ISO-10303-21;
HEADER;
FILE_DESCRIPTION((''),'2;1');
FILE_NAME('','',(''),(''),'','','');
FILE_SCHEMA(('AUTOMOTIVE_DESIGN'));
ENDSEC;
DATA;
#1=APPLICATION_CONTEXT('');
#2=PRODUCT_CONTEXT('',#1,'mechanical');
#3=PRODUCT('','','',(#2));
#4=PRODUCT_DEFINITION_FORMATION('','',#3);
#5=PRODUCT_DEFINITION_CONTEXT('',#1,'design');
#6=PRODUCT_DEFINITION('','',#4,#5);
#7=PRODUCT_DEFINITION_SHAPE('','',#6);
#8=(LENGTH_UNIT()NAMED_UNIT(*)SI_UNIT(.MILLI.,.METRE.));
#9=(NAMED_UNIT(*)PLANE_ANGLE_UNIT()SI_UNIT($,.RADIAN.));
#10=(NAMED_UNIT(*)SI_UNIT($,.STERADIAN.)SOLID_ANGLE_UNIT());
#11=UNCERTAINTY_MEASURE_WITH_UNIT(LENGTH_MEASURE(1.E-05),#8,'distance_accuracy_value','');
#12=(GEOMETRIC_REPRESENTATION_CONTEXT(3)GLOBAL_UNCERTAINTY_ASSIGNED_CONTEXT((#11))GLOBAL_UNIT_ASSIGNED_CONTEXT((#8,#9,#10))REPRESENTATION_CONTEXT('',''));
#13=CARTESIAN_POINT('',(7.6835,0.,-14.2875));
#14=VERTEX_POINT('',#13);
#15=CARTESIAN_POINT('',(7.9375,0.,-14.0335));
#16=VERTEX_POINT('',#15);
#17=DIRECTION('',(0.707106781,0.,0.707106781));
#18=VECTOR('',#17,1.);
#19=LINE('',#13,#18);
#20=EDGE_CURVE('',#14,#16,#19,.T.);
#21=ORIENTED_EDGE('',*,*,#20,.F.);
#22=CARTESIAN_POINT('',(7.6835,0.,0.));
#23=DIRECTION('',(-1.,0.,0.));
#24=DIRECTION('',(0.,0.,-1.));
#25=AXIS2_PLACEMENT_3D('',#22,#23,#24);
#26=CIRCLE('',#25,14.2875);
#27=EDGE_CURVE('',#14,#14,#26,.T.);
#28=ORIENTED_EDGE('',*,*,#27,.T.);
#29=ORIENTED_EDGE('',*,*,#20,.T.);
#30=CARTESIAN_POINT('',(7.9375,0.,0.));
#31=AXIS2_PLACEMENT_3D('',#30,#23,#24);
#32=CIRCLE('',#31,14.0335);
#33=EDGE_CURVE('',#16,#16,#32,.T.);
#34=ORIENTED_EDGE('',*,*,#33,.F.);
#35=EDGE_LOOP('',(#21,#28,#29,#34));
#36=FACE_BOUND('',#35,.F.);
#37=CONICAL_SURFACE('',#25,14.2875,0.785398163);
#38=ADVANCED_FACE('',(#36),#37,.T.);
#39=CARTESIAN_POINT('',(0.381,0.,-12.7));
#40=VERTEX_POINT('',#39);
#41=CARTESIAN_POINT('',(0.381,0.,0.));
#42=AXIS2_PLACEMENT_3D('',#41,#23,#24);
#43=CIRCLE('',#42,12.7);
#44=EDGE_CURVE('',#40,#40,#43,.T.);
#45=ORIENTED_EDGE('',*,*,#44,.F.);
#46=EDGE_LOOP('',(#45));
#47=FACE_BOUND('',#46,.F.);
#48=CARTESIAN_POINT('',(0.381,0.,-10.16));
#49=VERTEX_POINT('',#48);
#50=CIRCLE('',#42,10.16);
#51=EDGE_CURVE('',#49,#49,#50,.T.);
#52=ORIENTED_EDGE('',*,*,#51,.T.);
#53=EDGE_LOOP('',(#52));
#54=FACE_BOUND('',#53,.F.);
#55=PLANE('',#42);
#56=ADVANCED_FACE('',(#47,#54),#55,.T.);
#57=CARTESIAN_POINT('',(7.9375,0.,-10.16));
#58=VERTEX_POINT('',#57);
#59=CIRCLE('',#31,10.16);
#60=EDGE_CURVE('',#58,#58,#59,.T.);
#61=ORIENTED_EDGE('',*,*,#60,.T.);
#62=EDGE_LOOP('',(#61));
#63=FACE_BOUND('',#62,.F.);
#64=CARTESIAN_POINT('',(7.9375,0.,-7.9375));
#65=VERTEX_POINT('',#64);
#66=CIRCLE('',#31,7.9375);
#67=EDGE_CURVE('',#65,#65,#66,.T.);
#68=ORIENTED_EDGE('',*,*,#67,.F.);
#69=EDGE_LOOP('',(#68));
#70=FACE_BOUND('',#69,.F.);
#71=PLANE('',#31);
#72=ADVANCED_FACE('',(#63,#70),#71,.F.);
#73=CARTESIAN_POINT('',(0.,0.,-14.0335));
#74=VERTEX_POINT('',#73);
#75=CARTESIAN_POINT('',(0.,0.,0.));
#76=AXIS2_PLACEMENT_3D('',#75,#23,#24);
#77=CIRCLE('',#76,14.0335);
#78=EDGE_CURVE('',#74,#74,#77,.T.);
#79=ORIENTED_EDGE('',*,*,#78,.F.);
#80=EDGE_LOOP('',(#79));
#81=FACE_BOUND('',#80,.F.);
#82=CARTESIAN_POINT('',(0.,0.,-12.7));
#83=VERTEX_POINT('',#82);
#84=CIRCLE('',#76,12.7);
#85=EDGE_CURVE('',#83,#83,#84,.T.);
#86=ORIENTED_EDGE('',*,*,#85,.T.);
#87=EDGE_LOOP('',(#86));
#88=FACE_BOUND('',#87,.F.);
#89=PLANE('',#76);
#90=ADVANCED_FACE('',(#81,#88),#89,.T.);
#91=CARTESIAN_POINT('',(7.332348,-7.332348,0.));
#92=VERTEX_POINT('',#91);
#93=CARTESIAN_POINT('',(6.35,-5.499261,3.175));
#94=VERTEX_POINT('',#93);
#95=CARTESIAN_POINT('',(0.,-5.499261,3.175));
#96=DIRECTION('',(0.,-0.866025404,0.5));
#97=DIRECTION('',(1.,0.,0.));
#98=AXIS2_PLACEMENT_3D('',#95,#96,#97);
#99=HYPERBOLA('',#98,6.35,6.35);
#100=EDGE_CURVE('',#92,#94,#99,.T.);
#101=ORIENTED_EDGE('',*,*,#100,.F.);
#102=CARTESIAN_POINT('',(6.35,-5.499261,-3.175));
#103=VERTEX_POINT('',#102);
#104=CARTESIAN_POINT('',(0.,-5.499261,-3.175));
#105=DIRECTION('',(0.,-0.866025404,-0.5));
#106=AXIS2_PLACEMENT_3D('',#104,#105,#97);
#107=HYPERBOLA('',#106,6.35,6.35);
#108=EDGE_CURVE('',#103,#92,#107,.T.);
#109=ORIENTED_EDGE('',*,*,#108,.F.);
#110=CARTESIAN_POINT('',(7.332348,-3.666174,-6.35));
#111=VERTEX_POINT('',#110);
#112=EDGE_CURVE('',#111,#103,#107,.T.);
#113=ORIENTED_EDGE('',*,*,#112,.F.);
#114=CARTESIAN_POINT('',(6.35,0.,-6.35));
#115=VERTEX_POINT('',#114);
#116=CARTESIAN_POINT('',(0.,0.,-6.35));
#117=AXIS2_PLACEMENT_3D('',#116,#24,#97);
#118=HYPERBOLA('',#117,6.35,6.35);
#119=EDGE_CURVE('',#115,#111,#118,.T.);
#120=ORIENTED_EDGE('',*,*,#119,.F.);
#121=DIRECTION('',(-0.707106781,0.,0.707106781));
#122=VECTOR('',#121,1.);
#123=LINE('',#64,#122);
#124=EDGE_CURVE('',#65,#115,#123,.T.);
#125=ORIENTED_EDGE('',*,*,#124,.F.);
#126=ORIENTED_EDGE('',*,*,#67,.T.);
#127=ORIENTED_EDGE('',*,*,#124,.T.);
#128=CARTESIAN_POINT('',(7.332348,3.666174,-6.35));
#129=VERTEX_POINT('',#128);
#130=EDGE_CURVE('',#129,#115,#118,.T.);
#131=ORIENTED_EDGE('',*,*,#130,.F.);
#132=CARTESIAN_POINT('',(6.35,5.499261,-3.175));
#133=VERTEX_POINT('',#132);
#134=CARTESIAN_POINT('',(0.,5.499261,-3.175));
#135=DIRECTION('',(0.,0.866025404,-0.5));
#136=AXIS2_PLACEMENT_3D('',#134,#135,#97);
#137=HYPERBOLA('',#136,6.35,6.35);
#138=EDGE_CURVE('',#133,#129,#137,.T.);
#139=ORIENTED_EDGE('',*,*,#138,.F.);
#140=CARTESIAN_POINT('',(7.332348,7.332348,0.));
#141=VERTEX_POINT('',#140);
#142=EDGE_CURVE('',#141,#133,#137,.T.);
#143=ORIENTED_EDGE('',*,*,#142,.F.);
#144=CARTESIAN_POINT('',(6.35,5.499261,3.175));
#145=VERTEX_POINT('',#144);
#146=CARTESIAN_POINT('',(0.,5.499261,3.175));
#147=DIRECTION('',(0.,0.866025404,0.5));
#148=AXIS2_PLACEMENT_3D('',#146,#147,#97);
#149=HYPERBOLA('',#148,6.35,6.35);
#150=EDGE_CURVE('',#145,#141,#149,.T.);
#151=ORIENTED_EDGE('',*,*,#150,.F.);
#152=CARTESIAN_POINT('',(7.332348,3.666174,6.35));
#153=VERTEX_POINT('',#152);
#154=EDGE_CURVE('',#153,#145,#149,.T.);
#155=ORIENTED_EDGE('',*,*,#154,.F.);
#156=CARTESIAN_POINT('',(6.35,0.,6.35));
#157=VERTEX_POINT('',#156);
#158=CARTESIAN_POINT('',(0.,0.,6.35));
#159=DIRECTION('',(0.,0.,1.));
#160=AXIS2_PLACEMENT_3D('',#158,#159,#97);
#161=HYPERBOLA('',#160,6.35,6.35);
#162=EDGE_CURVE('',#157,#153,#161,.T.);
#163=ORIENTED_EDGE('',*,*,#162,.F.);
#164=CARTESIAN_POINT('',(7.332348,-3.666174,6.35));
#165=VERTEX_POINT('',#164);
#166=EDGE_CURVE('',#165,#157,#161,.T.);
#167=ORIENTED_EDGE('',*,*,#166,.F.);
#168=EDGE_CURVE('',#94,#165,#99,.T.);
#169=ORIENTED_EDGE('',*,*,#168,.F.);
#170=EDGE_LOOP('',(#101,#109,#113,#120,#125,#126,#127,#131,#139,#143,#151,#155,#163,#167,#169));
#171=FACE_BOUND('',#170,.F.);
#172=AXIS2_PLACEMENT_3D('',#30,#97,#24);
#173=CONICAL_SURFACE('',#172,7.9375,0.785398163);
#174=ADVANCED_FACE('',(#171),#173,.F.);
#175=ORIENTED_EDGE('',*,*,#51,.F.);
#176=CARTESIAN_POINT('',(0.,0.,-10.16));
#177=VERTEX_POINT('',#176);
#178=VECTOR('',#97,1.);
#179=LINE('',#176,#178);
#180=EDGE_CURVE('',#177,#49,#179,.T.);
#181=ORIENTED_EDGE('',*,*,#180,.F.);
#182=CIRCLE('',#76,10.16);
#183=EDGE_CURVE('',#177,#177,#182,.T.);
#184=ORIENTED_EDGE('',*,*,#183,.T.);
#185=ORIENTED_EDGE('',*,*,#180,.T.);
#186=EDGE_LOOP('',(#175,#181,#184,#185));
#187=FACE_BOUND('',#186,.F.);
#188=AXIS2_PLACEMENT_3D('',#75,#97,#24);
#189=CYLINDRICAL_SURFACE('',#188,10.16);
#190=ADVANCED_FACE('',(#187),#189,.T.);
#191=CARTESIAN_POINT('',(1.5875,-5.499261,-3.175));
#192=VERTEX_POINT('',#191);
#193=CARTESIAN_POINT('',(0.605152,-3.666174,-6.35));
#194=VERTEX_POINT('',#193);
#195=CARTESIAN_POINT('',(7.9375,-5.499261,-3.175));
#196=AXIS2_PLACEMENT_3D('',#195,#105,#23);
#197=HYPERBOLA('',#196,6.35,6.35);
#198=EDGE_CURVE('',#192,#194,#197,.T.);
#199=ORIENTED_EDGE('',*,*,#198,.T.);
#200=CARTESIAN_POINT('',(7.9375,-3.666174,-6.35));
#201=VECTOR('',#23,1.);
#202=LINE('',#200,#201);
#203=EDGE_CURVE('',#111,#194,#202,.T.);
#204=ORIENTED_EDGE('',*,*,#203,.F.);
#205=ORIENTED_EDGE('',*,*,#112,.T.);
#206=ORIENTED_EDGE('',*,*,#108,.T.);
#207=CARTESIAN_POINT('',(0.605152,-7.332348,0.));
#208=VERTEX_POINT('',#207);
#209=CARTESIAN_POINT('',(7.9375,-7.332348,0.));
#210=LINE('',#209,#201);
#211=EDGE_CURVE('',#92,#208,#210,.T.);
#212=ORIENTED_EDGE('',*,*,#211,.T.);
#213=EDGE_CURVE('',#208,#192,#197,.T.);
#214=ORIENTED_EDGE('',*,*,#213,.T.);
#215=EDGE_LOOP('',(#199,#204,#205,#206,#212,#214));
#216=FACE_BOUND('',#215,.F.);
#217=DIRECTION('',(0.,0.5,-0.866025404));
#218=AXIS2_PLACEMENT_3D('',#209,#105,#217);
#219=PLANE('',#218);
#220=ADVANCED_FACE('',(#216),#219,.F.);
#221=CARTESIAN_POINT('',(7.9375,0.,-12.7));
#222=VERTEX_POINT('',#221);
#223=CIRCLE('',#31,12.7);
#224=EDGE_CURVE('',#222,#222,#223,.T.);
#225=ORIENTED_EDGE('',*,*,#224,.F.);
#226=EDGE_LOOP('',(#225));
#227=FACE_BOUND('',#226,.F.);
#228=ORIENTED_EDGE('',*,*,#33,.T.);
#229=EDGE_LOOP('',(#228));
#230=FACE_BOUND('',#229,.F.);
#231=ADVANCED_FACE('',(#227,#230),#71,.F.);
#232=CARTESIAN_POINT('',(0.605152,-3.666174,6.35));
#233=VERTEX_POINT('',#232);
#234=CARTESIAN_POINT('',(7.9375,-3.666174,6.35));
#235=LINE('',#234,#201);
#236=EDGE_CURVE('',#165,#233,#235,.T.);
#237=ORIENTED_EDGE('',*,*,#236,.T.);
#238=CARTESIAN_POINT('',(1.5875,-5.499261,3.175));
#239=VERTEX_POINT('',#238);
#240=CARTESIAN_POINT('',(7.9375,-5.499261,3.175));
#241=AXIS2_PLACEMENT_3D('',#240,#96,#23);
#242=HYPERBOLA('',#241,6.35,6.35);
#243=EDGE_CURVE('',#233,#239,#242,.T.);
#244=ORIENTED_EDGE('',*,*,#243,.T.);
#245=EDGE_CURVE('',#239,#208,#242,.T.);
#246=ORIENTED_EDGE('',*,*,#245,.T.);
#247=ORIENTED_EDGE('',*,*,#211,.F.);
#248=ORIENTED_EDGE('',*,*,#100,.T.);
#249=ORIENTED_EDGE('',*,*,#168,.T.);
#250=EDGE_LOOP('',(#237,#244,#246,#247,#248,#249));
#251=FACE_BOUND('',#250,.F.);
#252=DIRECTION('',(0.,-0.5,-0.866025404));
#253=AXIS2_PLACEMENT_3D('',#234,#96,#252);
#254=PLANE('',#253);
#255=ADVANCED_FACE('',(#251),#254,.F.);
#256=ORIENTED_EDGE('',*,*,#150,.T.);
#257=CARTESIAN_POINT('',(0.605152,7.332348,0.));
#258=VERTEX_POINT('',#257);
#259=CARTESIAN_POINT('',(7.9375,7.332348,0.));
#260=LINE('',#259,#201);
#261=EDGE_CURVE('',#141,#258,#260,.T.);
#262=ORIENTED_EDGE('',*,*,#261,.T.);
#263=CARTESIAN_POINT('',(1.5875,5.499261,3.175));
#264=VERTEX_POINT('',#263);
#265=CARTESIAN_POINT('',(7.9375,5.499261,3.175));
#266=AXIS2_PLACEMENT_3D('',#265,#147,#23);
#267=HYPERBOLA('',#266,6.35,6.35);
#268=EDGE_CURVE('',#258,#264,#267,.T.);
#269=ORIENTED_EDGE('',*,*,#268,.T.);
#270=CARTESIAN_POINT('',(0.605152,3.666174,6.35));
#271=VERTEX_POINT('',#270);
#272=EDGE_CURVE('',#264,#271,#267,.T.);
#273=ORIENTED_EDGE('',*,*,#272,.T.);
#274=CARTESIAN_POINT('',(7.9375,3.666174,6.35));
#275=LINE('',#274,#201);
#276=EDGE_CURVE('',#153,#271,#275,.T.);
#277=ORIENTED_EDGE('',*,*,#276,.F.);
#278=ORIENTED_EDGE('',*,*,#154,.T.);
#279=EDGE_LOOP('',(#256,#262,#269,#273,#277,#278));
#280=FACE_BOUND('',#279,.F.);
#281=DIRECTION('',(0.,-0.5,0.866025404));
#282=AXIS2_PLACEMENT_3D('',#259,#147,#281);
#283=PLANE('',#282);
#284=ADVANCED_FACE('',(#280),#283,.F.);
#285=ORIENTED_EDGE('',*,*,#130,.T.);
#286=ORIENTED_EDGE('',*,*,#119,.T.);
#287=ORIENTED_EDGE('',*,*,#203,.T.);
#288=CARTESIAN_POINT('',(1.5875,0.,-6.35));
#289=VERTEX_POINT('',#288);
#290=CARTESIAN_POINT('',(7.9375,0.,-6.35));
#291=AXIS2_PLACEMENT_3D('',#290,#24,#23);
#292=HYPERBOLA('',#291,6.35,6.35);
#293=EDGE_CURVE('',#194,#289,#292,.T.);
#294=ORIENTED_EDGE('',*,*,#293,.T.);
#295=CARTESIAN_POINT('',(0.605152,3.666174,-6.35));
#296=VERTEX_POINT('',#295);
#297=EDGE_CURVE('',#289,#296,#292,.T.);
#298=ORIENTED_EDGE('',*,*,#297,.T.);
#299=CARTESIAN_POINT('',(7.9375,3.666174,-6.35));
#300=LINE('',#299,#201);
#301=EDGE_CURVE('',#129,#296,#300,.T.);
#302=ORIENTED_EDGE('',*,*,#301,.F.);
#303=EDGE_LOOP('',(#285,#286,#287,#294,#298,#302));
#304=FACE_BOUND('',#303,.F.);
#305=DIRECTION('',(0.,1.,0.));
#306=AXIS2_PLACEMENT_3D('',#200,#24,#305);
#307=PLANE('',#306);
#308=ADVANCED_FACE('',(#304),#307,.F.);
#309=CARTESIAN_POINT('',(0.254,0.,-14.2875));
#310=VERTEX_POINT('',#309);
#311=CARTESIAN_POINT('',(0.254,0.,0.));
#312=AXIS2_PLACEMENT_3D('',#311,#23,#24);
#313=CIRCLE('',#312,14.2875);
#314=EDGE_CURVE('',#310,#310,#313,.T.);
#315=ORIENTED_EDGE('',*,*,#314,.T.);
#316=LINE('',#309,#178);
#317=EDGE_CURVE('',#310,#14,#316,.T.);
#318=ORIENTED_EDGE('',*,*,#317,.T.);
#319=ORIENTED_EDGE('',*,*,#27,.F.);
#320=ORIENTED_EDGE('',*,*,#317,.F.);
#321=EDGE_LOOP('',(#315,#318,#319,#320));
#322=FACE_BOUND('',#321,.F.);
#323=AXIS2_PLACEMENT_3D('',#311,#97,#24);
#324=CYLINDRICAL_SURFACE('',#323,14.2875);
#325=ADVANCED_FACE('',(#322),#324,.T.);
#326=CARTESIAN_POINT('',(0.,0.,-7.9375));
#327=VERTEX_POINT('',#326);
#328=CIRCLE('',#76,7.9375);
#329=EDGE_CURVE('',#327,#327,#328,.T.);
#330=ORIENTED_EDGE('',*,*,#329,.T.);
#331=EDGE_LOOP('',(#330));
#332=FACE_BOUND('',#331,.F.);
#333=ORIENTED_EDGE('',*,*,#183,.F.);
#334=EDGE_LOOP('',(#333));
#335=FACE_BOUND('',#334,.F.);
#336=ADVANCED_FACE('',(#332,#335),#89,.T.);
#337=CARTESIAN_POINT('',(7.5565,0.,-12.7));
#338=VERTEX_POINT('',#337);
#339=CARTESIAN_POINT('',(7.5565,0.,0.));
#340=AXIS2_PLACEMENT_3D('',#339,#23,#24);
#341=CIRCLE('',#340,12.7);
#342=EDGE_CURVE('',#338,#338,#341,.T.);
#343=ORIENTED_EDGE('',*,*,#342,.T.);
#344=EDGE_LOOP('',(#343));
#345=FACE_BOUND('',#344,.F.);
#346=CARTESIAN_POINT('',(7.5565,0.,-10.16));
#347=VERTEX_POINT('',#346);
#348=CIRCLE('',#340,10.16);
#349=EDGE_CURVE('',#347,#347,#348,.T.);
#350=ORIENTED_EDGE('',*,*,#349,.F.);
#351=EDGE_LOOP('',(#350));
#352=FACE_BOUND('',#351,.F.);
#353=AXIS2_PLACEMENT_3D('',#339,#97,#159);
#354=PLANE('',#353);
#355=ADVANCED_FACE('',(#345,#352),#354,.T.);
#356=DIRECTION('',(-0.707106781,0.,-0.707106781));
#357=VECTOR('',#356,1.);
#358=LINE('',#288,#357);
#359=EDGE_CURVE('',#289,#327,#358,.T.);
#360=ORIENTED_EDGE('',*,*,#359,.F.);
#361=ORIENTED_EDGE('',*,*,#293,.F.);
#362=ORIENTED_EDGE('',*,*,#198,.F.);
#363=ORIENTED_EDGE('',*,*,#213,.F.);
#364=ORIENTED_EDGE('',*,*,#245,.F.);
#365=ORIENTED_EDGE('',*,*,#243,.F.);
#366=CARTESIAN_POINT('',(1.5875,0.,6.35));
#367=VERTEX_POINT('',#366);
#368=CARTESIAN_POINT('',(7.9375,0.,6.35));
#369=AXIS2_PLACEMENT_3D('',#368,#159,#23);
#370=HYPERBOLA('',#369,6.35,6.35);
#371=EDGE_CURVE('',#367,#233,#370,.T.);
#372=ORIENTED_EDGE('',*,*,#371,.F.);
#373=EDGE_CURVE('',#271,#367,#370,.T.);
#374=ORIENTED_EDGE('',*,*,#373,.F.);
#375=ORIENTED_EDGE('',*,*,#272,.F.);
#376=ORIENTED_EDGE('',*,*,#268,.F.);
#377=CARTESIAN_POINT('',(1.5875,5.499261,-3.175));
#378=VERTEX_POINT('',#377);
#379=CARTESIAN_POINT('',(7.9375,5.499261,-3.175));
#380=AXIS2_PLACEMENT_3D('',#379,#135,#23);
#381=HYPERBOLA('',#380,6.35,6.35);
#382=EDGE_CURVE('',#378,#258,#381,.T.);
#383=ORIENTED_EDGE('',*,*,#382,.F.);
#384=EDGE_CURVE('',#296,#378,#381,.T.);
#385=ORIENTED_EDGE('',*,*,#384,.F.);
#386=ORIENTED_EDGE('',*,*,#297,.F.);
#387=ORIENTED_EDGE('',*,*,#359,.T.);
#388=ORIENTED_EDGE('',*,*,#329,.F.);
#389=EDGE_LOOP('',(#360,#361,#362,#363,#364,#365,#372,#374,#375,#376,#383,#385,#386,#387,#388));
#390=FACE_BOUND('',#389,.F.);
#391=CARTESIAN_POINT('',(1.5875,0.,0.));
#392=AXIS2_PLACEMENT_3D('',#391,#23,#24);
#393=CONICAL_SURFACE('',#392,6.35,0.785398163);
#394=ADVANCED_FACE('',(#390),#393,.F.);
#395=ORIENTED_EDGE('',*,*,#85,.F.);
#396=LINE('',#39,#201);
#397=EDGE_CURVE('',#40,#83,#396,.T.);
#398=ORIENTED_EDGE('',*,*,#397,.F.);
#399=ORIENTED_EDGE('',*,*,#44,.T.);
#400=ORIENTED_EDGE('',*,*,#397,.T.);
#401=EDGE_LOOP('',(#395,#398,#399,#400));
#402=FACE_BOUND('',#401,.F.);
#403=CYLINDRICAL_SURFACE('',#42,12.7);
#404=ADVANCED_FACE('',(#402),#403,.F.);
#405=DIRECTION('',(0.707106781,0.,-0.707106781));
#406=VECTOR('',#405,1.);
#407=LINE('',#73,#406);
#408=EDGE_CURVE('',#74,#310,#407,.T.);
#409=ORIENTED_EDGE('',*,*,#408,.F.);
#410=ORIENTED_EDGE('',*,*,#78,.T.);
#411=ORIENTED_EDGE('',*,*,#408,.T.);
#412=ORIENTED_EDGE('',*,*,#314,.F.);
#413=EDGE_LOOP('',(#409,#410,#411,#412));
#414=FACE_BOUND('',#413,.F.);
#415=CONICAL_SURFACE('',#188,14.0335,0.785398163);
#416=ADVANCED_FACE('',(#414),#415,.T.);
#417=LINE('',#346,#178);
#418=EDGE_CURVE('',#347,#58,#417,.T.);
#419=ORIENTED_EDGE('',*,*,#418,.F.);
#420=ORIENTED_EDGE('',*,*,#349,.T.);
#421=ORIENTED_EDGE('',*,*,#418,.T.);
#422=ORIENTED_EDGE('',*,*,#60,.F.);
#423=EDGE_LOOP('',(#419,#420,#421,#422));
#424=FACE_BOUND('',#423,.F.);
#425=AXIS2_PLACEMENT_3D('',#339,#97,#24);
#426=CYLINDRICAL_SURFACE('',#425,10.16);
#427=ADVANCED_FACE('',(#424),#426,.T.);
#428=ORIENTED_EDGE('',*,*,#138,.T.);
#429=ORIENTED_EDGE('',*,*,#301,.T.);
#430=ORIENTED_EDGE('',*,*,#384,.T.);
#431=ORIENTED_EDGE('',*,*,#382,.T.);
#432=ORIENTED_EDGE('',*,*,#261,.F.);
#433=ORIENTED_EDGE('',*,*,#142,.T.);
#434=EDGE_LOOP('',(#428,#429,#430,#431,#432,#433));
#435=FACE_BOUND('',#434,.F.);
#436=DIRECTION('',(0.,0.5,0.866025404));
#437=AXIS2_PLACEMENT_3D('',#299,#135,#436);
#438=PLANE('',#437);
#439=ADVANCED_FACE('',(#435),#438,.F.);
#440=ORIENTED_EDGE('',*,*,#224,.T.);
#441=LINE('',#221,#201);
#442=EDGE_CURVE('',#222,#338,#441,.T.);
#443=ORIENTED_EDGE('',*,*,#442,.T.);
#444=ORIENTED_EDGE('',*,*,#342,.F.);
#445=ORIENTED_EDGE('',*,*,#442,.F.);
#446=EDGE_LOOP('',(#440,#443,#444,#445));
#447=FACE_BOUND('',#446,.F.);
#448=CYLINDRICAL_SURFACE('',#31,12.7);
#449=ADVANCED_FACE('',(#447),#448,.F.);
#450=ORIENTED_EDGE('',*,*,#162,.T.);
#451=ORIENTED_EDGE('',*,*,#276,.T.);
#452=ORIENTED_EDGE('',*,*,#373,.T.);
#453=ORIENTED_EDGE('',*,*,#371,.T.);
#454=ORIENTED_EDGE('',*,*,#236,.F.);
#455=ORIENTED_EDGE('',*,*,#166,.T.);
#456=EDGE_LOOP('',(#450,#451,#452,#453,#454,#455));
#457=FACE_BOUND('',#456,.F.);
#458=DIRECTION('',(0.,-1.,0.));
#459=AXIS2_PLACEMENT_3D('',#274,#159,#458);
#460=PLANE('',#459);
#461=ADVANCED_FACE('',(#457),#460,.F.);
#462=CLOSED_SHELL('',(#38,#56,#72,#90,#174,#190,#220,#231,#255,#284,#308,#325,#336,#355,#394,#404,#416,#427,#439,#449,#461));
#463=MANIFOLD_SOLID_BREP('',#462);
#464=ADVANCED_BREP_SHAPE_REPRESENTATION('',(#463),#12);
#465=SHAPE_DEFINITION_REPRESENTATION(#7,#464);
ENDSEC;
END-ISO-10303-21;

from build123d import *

# Parameters (mm, degrees)
CUT_EXTRUDE1_DEPTH = 22.708736000744032


with BuildPart() as part:
    # Sketch1 → Revolve1 (revolve)
    with BuildSketch(Plane.XY, mode=Mode.PRIVATE) as revolve1_sk:
        Polygon((0.254, 14.2875), (7.6835, 14.2875), (7.9375, 14.033499999999998), (7.9375, 12.7), (7.556499999999999, 12.7), (7.5565, 10.16), (7.9375, 10.16), (7.9375, 7.9374999999999964), (6.349999999999997, 6.349999999999998), (1.587500000000001, 6.3500000000000005), (0, 7.9375), (0, 10.16), (0.381, 10.16), (0.381, 12.7), (0, 12.7), (0, 14.033499999999998), align=None)
    revolve(revolve1_sk.sketch.rotate(Axis((0, 0, 0), (-1, 0, 0)), 90), axis=Axis((0, 0, 0), (-1, 0, 0)))

    # Sketch2 → Cut-Extrude1 (cut, through all)
    with BuildSketch(Plane(origin=(7.9375, 0, 0), x_dir=(0, 0, -1), z_dir=(1, 0, 0))):
        Polygon((-8.7e-16, 7.332348418708245), (-6.349999999999997, 3.6661742093541227), (-6.349999999999996, -3.666174209354121), (5.15e-15, -7.332348418708244), (6.349999999999999, -3.6661742093541214), (6.349999999999997, 3.6661742093541236), align=None)
    extrude(amount=-CUT_EXTRUDE1_DEPTH, mode=Mode.SUBTRACT)


solid = part.part
